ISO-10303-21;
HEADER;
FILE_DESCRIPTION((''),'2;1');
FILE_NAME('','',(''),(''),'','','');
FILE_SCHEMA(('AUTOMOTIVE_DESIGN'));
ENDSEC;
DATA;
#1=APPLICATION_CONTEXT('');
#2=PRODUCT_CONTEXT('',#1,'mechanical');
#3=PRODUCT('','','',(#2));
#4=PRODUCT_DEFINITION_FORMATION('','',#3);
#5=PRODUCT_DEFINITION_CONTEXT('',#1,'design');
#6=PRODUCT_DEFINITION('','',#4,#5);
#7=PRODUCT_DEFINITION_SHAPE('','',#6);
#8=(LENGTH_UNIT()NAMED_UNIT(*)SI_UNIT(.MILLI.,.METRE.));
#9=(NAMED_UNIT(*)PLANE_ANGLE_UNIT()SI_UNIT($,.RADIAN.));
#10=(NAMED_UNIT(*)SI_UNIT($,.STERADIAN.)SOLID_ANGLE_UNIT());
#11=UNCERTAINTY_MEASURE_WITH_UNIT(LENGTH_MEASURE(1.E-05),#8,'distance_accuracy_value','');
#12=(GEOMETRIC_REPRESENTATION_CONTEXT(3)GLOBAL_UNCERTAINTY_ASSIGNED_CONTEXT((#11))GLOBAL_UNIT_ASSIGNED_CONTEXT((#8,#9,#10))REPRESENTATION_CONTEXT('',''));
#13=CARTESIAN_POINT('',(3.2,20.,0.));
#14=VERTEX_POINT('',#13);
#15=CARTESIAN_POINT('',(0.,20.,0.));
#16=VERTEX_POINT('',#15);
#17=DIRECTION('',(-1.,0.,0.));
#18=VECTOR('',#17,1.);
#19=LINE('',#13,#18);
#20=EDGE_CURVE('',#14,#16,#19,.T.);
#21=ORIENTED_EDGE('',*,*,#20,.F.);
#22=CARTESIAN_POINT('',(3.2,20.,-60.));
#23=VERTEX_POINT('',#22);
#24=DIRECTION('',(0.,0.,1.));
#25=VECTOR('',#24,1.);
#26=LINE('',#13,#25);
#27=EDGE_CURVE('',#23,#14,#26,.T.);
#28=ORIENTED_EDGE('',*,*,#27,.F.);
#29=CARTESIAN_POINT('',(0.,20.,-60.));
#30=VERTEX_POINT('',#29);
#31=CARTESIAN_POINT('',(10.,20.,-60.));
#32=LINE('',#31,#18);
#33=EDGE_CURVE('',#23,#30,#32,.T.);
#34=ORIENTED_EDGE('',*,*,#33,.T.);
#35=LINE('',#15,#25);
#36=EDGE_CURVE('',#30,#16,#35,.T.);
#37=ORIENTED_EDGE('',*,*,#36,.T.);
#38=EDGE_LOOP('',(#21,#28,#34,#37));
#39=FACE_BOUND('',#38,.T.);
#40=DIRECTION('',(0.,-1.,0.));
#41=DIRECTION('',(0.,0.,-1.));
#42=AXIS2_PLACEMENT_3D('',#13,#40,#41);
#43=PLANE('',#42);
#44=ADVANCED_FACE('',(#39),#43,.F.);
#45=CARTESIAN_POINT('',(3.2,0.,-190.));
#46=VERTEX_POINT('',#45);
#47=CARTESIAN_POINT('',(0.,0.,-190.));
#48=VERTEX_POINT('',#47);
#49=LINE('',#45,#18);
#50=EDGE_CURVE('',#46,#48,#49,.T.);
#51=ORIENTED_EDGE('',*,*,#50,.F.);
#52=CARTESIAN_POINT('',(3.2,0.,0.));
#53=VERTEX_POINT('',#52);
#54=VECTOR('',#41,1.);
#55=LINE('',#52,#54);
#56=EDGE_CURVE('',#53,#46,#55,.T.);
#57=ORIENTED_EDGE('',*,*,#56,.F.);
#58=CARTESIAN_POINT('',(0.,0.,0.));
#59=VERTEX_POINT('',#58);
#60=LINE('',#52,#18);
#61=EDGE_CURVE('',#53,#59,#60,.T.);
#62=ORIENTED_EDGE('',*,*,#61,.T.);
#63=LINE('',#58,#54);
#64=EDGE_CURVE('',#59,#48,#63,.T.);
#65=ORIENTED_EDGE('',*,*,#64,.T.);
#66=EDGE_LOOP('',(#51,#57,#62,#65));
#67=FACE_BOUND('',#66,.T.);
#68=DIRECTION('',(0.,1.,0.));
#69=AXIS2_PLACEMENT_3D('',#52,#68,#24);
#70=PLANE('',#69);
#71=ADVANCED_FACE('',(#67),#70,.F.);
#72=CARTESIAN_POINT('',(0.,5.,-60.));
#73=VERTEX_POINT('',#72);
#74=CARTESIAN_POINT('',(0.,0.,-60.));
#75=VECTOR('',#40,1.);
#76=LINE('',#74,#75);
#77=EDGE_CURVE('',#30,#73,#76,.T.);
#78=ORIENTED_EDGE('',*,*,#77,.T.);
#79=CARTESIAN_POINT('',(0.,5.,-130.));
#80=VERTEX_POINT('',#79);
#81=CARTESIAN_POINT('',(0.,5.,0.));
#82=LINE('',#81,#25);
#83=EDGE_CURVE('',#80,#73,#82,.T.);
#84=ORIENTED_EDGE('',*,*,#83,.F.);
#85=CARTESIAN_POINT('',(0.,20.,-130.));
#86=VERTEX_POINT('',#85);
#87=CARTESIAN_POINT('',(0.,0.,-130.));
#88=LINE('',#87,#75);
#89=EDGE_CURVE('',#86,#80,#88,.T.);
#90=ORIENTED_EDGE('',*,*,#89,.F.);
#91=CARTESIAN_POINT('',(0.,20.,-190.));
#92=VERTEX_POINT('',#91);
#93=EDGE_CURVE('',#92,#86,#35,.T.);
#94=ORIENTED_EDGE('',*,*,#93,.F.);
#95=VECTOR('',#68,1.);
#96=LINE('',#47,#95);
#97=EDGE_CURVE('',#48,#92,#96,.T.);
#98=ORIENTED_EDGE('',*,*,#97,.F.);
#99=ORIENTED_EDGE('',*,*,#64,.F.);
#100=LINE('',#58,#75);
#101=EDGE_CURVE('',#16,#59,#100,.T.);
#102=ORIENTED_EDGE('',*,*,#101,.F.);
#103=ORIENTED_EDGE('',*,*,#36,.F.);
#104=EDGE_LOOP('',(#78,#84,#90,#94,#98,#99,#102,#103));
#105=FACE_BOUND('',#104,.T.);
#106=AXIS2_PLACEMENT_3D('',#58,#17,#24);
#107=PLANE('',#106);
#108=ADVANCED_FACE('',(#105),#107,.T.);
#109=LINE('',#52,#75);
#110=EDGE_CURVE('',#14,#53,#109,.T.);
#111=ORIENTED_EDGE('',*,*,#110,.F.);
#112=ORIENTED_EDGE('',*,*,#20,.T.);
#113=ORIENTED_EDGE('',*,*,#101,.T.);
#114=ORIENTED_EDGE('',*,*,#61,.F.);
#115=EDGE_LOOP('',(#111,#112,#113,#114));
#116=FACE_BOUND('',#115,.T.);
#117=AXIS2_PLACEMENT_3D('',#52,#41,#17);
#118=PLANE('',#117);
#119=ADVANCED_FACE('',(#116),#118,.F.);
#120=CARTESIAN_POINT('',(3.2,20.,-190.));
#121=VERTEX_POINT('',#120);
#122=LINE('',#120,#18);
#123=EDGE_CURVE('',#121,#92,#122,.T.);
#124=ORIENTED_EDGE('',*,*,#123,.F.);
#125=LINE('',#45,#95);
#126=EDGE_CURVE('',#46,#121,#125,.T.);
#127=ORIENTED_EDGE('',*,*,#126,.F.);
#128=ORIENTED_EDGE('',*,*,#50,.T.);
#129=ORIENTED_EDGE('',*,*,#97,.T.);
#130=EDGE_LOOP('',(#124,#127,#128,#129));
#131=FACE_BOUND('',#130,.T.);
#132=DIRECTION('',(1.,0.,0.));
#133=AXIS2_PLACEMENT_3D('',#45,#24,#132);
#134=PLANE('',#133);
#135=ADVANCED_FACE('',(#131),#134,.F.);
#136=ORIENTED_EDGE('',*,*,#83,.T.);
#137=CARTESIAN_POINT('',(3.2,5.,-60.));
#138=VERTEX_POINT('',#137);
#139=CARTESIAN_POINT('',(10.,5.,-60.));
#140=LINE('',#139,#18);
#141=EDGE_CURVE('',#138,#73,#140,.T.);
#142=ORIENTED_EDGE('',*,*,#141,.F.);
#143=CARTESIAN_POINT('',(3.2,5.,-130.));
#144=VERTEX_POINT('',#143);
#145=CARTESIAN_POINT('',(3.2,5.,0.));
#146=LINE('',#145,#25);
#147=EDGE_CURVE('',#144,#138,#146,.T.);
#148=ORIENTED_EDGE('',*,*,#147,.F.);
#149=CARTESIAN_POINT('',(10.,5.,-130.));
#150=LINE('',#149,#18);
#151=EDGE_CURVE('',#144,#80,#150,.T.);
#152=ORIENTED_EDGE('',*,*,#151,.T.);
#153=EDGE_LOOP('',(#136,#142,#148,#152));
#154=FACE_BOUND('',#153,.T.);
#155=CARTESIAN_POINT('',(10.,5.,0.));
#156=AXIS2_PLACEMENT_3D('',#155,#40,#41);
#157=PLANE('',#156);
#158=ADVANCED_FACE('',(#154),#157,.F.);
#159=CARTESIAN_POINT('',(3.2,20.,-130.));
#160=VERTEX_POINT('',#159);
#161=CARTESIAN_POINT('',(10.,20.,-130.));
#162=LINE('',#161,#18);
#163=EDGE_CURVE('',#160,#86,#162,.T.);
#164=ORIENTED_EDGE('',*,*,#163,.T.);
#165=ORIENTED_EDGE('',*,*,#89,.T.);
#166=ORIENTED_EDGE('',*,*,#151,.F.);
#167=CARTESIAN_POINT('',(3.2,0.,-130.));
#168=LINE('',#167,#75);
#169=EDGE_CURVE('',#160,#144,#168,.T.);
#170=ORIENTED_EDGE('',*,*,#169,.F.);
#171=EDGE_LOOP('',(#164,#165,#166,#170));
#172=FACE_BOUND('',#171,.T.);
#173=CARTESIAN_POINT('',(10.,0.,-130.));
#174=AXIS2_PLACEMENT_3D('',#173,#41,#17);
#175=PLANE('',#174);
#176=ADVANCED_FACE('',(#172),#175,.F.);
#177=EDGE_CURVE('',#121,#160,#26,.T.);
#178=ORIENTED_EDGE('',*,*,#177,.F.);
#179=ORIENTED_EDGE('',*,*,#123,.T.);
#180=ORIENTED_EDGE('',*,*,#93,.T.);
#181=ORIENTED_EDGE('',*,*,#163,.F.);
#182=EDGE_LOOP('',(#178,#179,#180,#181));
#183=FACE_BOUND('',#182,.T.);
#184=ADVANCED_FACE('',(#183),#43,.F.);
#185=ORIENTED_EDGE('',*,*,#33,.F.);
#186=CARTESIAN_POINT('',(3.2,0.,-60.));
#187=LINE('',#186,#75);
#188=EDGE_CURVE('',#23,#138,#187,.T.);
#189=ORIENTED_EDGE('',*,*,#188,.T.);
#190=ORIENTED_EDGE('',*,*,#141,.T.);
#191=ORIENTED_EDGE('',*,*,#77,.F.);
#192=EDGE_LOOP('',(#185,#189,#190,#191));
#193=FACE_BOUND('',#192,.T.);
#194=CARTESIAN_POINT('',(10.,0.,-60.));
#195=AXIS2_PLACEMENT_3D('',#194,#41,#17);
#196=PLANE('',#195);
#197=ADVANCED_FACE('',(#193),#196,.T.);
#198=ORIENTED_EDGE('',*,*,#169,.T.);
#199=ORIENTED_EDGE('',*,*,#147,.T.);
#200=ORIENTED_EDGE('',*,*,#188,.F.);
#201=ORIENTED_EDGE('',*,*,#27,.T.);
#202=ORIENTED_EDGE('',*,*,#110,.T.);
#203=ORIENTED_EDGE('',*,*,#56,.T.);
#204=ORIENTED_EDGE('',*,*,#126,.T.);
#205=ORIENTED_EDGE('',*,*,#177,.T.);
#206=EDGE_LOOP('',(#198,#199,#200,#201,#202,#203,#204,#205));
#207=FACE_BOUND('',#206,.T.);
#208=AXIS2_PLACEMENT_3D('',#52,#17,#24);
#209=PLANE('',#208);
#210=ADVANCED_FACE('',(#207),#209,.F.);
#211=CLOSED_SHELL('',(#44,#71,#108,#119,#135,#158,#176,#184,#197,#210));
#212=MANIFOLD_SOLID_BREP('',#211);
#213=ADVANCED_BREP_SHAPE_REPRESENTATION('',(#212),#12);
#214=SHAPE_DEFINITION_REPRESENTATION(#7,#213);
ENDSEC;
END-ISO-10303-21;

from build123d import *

# Parameters (mm, degrees)
SKETCH1_W           = 190
SKETCH1_H           = 20
BOSS_EXTRUDE1_DEPTH = 3.2
SKETCH2_W           = 35
SKETCH2_H           = 15
CUT_EXTRUDE1_DEPTH  = 10


with BuildPart() as part:
    # Sketch1 → Boss-Extrude1 (new body)
    with BuildSketch(Plane(origin=(0, 0, 0), x_dir=(0, 0, -1), z_dir=(1, 0, 0))):
        with Locations((95, 10)):
            Rectangle(SKETCH1_W, SKETCH1_H)
    extrude(amount=BOSS_EXTRUDE1_DEPTH)

    # Sketch2 → Cut-Extrude1 (cut)
    with BuildSketch(Plane.ZY):
        with Locations((-112.5, 12.5)):
            Rectangle(SKETCH2_W, SKETCH2_H)
        with Locations((-77.5, 12.5)):
            Rectangle(SKETCH2_W, SKETCH2_H)
    extrude(amount=-CUT_EXTRUDE1_DEPTH, mode=Mode.SUBTRACT)


solid = part.part
